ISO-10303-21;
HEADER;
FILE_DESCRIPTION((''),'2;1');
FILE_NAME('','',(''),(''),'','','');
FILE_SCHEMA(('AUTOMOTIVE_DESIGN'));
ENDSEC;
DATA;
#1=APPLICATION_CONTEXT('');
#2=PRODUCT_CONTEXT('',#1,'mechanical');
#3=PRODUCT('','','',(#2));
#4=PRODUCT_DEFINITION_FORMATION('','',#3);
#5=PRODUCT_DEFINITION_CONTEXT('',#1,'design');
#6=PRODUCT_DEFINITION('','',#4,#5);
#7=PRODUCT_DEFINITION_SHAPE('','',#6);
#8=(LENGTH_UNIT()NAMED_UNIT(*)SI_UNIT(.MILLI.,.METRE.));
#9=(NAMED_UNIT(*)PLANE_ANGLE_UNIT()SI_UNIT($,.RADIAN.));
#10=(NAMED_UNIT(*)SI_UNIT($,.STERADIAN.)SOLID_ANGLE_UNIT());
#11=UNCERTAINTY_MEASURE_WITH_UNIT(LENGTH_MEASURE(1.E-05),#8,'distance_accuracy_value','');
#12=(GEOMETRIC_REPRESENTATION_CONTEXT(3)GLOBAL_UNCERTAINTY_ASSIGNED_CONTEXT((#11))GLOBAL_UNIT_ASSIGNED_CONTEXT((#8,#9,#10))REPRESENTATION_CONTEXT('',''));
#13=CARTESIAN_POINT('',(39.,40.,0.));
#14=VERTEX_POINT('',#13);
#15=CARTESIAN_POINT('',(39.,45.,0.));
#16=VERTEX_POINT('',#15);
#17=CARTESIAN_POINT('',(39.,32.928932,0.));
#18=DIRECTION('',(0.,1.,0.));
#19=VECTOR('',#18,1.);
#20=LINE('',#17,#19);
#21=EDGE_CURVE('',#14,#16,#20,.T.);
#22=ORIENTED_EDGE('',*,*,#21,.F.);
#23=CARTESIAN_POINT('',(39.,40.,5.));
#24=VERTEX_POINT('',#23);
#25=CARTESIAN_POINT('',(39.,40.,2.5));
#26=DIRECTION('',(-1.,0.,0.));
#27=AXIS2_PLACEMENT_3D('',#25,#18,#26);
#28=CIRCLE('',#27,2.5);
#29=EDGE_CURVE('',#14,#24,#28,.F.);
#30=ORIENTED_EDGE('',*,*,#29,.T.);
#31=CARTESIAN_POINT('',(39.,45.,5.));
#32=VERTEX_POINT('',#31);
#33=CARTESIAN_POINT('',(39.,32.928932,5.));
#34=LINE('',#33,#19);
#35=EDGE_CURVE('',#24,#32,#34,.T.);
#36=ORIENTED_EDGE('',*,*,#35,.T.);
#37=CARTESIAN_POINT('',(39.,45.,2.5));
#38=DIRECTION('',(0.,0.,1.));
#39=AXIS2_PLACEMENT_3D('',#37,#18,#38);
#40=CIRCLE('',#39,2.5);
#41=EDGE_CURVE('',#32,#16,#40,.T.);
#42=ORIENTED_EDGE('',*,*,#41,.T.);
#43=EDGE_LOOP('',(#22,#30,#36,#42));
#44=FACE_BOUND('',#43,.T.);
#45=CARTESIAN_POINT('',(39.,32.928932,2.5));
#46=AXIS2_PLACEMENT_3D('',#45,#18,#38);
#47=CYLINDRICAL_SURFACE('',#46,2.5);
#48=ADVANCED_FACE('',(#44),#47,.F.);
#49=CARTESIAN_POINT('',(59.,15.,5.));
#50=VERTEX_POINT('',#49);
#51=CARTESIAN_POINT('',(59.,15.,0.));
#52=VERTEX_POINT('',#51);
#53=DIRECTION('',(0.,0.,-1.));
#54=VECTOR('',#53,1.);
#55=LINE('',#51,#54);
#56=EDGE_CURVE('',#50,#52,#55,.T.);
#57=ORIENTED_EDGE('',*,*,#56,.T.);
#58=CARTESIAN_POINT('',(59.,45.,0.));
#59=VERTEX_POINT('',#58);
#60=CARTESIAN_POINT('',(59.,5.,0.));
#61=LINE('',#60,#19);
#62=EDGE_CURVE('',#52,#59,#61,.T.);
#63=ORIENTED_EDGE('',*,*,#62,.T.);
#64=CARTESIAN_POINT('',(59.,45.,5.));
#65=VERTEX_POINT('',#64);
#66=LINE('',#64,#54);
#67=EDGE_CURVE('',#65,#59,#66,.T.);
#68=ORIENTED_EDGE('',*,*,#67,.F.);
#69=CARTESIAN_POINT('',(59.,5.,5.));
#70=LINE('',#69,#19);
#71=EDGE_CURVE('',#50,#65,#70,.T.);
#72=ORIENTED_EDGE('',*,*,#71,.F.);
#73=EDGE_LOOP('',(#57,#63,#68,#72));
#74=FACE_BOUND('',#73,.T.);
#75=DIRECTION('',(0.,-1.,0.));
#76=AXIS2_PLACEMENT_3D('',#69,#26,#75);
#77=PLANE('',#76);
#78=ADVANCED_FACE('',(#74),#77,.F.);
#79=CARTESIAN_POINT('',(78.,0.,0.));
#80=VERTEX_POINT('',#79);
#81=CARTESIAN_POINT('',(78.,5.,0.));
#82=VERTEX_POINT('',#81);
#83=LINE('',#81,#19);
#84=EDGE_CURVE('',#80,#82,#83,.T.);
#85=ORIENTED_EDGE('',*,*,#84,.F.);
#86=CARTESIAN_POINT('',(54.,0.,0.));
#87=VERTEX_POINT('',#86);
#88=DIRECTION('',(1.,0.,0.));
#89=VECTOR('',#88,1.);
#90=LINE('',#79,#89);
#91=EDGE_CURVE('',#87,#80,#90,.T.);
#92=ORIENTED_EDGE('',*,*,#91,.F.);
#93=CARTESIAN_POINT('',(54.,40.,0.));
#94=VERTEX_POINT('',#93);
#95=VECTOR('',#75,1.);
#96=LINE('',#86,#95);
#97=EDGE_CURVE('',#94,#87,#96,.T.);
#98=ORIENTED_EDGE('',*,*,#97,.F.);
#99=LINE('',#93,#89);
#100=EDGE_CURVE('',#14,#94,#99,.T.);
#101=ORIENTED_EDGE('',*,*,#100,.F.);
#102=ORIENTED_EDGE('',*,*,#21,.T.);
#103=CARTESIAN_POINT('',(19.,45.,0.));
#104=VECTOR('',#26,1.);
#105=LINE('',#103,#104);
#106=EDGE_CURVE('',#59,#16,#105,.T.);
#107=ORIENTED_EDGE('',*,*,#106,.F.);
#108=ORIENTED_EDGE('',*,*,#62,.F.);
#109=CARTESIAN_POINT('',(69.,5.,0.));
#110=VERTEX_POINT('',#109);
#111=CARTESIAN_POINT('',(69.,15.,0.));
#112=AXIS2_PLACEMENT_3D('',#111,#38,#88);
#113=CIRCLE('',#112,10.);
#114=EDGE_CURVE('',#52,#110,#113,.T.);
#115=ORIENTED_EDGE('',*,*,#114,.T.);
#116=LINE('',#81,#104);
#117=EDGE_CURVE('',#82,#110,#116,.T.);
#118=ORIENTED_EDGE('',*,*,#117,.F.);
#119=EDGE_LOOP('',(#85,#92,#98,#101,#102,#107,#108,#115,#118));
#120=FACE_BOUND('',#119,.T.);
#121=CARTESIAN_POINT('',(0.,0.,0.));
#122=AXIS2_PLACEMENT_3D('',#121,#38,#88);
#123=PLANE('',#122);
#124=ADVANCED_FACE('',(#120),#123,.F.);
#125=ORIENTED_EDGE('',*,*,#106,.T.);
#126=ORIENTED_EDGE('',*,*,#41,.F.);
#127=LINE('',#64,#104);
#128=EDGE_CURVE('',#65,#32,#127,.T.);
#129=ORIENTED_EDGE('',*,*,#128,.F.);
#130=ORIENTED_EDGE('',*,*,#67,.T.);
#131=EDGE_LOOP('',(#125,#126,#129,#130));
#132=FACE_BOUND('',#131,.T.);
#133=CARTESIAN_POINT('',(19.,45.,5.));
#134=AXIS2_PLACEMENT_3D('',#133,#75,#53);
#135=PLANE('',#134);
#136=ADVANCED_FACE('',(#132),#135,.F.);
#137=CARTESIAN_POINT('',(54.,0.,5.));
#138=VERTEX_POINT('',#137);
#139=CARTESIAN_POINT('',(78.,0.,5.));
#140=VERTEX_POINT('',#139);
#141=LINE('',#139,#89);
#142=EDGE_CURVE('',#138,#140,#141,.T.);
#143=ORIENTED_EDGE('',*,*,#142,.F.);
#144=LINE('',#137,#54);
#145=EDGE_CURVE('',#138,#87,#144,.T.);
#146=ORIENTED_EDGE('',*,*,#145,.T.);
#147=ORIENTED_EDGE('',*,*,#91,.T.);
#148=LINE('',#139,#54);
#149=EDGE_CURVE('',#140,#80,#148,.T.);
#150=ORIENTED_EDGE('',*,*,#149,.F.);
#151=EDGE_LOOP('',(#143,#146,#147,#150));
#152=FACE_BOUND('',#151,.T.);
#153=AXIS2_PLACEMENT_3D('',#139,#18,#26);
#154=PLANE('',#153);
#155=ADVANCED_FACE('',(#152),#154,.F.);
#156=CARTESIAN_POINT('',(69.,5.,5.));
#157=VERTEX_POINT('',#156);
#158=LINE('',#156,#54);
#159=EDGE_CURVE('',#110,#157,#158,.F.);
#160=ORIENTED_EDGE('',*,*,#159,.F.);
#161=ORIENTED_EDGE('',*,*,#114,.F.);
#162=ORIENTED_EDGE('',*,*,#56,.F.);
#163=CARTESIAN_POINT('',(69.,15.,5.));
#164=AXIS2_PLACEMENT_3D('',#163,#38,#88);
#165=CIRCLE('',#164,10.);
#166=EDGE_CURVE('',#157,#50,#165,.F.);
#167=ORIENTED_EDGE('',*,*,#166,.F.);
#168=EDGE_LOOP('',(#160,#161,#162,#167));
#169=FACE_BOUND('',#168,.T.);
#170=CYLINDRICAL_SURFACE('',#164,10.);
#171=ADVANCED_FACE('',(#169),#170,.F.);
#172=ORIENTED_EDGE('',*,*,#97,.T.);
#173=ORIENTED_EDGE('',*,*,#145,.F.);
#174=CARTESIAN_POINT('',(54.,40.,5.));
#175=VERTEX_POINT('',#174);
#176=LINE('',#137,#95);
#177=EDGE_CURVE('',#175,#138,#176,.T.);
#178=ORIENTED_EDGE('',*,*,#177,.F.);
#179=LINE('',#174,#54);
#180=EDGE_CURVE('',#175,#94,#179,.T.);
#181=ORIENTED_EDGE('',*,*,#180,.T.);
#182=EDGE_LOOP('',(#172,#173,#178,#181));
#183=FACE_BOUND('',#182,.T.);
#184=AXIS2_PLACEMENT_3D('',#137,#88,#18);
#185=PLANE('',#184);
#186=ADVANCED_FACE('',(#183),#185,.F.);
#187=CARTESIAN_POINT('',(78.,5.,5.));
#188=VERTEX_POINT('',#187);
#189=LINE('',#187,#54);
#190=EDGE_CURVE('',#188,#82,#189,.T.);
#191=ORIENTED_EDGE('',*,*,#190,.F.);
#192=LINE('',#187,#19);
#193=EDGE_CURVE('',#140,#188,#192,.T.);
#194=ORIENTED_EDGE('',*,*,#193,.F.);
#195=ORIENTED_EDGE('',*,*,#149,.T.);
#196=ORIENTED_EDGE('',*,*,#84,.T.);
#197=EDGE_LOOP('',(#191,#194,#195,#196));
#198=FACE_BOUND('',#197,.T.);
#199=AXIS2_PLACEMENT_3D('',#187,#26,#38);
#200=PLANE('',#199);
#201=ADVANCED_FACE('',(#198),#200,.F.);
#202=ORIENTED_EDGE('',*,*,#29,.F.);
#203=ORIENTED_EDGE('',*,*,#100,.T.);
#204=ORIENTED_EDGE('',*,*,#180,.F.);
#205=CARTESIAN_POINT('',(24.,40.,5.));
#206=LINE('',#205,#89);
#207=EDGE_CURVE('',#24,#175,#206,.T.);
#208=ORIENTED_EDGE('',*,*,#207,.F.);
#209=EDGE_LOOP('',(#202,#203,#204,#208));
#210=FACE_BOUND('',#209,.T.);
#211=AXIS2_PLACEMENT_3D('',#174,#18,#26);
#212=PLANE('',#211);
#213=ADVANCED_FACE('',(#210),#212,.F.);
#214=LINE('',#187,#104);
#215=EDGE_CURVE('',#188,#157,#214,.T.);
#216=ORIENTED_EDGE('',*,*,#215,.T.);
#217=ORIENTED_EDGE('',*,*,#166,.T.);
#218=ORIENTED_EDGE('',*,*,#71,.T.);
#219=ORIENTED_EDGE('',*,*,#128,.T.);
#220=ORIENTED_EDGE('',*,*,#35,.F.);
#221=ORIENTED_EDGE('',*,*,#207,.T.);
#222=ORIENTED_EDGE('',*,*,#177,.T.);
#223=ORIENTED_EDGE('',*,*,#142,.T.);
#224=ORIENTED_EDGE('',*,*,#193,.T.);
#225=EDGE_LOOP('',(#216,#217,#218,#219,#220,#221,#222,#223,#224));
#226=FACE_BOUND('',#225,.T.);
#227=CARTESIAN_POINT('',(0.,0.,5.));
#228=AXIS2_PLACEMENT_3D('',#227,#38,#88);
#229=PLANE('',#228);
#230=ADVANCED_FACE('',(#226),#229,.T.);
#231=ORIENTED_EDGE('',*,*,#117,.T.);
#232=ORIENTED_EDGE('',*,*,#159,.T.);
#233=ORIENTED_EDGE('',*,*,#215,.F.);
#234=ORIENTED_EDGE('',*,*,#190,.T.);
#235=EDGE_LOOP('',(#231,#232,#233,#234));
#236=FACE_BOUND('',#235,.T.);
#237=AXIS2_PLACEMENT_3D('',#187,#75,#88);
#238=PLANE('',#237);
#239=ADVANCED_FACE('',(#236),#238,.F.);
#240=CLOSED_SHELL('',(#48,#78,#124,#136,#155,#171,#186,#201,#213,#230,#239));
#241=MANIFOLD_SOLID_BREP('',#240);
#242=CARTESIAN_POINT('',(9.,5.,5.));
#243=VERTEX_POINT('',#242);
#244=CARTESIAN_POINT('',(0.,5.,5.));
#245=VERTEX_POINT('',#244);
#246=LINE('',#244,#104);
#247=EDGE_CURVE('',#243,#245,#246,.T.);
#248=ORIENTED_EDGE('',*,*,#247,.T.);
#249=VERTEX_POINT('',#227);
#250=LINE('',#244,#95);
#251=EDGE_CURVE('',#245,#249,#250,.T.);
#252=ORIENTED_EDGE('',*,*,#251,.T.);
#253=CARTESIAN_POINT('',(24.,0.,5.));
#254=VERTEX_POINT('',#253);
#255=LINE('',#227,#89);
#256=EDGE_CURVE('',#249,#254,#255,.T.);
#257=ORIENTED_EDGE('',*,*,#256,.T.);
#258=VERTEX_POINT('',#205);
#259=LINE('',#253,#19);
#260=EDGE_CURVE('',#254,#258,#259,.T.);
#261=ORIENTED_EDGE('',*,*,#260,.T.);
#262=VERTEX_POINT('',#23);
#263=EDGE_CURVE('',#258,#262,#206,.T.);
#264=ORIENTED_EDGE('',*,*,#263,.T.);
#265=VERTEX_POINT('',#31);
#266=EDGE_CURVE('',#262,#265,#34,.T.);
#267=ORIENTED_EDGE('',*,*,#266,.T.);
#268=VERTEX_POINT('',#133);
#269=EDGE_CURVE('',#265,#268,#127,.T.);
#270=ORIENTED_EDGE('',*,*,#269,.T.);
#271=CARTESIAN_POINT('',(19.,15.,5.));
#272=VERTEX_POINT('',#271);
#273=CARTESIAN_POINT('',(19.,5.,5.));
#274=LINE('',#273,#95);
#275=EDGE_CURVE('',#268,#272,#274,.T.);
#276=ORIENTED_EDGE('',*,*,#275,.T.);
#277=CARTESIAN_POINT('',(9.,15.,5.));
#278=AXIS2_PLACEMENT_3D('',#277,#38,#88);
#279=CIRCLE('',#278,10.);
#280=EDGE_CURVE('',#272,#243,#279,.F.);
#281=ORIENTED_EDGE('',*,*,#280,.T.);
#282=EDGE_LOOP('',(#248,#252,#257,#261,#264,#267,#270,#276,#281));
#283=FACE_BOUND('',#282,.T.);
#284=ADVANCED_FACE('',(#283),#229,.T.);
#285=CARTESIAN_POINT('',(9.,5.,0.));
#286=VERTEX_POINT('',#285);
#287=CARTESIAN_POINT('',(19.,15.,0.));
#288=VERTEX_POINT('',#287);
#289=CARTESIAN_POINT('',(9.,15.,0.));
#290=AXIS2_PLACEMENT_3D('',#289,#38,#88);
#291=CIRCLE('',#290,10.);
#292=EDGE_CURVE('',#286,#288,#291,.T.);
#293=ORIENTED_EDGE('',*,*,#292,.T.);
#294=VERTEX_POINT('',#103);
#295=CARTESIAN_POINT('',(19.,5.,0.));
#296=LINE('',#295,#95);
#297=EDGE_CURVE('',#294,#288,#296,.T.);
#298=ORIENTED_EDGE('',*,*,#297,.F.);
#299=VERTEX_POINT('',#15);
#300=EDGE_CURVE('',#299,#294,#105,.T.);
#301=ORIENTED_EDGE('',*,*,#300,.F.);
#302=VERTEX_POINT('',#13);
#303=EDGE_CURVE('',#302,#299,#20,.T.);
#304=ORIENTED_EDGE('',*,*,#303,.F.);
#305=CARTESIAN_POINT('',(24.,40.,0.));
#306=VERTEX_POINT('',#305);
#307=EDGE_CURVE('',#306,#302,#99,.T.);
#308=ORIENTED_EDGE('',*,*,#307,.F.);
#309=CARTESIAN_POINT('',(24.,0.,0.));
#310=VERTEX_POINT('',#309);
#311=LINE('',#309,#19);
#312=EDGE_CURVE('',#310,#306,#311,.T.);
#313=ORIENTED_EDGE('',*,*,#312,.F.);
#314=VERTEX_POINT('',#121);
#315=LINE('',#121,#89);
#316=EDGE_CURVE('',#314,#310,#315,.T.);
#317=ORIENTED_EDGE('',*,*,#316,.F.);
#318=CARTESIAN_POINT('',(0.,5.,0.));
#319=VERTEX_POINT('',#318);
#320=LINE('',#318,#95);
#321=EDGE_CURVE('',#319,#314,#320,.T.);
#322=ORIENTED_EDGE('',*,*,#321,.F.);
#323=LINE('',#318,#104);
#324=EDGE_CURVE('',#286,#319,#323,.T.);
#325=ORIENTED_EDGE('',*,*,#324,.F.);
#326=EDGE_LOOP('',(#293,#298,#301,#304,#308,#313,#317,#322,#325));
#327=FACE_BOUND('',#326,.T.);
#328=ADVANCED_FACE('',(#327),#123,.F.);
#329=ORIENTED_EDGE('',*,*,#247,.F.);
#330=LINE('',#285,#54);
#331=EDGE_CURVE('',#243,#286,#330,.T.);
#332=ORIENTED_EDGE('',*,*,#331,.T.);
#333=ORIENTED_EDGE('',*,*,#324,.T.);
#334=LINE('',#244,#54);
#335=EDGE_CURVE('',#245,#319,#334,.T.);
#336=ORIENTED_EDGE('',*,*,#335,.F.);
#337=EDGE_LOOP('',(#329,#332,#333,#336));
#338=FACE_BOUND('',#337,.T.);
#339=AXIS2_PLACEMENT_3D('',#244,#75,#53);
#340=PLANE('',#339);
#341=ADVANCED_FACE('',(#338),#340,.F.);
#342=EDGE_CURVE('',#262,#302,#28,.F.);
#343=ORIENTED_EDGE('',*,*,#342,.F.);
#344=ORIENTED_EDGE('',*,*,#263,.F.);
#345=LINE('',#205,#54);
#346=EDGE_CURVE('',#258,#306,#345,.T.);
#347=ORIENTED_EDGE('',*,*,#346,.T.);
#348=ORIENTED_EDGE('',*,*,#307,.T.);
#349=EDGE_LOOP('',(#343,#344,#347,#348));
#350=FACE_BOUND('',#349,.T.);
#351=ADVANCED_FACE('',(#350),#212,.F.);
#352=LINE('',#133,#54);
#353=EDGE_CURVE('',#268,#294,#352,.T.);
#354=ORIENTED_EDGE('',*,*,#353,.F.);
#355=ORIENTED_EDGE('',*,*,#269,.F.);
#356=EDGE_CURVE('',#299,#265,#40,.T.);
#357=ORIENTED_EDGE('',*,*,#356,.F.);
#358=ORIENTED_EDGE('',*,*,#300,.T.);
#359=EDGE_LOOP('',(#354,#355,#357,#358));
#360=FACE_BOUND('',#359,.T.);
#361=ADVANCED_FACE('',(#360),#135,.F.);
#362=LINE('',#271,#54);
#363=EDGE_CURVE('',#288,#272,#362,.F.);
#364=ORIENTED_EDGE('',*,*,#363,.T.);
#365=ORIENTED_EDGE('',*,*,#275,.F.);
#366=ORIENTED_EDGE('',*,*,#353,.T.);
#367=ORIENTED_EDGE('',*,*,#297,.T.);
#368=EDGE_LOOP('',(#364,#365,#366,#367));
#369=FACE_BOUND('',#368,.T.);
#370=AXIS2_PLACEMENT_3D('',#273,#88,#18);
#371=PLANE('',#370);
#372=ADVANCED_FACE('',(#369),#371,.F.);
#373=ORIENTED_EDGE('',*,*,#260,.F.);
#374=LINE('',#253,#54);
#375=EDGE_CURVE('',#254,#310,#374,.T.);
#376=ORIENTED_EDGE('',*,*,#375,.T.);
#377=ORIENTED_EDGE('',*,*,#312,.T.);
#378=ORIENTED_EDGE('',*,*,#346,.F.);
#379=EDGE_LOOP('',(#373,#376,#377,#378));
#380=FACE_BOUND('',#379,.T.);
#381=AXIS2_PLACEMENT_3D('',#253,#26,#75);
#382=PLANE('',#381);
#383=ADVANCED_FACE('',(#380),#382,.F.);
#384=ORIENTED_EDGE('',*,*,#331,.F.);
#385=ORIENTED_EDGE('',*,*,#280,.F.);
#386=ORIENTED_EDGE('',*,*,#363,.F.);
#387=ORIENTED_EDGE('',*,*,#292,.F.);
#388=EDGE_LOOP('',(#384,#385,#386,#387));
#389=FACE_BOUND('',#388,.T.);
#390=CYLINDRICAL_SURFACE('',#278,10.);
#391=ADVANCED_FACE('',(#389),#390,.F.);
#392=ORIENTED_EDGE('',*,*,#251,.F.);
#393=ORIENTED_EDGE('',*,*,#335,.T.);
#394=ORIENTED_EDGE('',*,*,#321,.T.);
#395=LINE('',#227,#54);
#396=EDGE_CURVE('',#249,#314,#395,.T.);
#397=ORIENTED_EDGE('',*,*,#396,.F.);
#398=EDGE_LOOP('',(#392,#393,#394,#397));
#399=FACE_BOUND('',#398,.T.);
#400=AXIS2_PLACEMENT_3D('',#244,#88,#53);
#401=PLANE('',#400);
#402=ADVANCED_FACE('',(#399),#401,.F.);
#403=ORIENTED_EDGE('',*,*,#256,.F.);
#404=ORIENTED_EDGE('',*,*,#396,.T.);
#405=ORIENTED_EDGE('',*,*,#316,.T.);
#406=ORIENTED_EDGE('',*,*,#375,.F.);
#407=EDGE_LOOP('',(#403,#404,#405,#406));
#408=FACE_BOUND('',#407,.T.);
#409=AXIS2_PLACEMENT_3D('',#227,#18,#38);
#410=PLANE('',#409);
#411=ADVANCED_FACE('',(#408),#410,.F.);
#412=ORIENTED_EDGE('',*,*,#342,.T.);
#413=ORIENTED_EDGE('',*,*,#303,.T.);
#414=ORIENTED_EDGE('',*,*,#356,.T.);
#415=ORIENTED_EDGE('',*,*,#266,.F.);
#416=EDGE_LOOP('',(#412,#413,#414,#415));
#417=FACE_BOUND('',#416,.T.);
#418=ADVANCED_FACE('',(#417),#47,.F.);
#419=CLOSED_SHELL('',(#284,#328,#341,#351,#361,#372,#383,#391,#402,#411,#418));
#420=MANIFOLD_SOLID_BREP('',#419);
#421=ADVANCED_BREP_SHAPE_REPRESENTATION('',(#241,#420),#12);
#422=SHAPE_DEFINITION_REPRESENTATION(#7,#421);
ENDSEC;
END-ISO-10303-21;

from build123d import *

# Parameters (mm, degrees)
BOSS_EXTRUDE1_DEPTH = 5
FILLET1_R           = 10
SKETCH2_R           = 2.5
CUT_EXTRUDE1_DEPTH  = 5


with BuildPart() as part:
    # Sketch1 → Boss-Extrude1 (new body)
    with BuildSketch(Plane.XY):
        Polygon((0, 0), (24, 0), (24, 40), (39, 40), (54, 40), (54, 0), (78, 0), (78, 5), (59, 5), (59, 45), (39, 45), (19, 45), (19, 5), (0, 5), align=None)
    extrude(amount=BOSS_EXTRUDE1_DEPTH)

    # Fillet1
    fillet1_edges = [part.edges().sort_by_distance(p)[0] for p in [
        (19, 5, 2.5),
        (59, 5, 2.5),
    ]]
    fillet(fillet1_edges, radius=FILLET1_R)

    # Sketch2 → Cut-Extrude1 (cut)
    with BuildSketch(Plane(origin=(0, 45, 0), x_dir=(1, 0, 0), z_dir=(0, 1, 0))):
        with Locations((39, -2.5)):
            Circle(SKETCH2_R)
    extrude(amount=-CUT_EXTRUDE1_DEPTH, mode=Mode.SUBTRACT)


with BuildPart() as cut_extrude1_piece_1:
    # of the separate pieces the step leaves, piece 1, a body of its own (cut_extrude1_pieces)
    add(part.part.solids().sort_by_distance((69, 5, 5))[0])


with BuildPart() as cut_extrude1_piece_2:
    # of the separate pieces the step leaves, piece 2, a body of its own (cut_extrude1_pieces)
    add(part.part.solids().sort_by_distance((24, 40, 5))[0])


solid = Compound([cut_extrude1_piece_1.part, cut_extrude1_piece_2.part])
